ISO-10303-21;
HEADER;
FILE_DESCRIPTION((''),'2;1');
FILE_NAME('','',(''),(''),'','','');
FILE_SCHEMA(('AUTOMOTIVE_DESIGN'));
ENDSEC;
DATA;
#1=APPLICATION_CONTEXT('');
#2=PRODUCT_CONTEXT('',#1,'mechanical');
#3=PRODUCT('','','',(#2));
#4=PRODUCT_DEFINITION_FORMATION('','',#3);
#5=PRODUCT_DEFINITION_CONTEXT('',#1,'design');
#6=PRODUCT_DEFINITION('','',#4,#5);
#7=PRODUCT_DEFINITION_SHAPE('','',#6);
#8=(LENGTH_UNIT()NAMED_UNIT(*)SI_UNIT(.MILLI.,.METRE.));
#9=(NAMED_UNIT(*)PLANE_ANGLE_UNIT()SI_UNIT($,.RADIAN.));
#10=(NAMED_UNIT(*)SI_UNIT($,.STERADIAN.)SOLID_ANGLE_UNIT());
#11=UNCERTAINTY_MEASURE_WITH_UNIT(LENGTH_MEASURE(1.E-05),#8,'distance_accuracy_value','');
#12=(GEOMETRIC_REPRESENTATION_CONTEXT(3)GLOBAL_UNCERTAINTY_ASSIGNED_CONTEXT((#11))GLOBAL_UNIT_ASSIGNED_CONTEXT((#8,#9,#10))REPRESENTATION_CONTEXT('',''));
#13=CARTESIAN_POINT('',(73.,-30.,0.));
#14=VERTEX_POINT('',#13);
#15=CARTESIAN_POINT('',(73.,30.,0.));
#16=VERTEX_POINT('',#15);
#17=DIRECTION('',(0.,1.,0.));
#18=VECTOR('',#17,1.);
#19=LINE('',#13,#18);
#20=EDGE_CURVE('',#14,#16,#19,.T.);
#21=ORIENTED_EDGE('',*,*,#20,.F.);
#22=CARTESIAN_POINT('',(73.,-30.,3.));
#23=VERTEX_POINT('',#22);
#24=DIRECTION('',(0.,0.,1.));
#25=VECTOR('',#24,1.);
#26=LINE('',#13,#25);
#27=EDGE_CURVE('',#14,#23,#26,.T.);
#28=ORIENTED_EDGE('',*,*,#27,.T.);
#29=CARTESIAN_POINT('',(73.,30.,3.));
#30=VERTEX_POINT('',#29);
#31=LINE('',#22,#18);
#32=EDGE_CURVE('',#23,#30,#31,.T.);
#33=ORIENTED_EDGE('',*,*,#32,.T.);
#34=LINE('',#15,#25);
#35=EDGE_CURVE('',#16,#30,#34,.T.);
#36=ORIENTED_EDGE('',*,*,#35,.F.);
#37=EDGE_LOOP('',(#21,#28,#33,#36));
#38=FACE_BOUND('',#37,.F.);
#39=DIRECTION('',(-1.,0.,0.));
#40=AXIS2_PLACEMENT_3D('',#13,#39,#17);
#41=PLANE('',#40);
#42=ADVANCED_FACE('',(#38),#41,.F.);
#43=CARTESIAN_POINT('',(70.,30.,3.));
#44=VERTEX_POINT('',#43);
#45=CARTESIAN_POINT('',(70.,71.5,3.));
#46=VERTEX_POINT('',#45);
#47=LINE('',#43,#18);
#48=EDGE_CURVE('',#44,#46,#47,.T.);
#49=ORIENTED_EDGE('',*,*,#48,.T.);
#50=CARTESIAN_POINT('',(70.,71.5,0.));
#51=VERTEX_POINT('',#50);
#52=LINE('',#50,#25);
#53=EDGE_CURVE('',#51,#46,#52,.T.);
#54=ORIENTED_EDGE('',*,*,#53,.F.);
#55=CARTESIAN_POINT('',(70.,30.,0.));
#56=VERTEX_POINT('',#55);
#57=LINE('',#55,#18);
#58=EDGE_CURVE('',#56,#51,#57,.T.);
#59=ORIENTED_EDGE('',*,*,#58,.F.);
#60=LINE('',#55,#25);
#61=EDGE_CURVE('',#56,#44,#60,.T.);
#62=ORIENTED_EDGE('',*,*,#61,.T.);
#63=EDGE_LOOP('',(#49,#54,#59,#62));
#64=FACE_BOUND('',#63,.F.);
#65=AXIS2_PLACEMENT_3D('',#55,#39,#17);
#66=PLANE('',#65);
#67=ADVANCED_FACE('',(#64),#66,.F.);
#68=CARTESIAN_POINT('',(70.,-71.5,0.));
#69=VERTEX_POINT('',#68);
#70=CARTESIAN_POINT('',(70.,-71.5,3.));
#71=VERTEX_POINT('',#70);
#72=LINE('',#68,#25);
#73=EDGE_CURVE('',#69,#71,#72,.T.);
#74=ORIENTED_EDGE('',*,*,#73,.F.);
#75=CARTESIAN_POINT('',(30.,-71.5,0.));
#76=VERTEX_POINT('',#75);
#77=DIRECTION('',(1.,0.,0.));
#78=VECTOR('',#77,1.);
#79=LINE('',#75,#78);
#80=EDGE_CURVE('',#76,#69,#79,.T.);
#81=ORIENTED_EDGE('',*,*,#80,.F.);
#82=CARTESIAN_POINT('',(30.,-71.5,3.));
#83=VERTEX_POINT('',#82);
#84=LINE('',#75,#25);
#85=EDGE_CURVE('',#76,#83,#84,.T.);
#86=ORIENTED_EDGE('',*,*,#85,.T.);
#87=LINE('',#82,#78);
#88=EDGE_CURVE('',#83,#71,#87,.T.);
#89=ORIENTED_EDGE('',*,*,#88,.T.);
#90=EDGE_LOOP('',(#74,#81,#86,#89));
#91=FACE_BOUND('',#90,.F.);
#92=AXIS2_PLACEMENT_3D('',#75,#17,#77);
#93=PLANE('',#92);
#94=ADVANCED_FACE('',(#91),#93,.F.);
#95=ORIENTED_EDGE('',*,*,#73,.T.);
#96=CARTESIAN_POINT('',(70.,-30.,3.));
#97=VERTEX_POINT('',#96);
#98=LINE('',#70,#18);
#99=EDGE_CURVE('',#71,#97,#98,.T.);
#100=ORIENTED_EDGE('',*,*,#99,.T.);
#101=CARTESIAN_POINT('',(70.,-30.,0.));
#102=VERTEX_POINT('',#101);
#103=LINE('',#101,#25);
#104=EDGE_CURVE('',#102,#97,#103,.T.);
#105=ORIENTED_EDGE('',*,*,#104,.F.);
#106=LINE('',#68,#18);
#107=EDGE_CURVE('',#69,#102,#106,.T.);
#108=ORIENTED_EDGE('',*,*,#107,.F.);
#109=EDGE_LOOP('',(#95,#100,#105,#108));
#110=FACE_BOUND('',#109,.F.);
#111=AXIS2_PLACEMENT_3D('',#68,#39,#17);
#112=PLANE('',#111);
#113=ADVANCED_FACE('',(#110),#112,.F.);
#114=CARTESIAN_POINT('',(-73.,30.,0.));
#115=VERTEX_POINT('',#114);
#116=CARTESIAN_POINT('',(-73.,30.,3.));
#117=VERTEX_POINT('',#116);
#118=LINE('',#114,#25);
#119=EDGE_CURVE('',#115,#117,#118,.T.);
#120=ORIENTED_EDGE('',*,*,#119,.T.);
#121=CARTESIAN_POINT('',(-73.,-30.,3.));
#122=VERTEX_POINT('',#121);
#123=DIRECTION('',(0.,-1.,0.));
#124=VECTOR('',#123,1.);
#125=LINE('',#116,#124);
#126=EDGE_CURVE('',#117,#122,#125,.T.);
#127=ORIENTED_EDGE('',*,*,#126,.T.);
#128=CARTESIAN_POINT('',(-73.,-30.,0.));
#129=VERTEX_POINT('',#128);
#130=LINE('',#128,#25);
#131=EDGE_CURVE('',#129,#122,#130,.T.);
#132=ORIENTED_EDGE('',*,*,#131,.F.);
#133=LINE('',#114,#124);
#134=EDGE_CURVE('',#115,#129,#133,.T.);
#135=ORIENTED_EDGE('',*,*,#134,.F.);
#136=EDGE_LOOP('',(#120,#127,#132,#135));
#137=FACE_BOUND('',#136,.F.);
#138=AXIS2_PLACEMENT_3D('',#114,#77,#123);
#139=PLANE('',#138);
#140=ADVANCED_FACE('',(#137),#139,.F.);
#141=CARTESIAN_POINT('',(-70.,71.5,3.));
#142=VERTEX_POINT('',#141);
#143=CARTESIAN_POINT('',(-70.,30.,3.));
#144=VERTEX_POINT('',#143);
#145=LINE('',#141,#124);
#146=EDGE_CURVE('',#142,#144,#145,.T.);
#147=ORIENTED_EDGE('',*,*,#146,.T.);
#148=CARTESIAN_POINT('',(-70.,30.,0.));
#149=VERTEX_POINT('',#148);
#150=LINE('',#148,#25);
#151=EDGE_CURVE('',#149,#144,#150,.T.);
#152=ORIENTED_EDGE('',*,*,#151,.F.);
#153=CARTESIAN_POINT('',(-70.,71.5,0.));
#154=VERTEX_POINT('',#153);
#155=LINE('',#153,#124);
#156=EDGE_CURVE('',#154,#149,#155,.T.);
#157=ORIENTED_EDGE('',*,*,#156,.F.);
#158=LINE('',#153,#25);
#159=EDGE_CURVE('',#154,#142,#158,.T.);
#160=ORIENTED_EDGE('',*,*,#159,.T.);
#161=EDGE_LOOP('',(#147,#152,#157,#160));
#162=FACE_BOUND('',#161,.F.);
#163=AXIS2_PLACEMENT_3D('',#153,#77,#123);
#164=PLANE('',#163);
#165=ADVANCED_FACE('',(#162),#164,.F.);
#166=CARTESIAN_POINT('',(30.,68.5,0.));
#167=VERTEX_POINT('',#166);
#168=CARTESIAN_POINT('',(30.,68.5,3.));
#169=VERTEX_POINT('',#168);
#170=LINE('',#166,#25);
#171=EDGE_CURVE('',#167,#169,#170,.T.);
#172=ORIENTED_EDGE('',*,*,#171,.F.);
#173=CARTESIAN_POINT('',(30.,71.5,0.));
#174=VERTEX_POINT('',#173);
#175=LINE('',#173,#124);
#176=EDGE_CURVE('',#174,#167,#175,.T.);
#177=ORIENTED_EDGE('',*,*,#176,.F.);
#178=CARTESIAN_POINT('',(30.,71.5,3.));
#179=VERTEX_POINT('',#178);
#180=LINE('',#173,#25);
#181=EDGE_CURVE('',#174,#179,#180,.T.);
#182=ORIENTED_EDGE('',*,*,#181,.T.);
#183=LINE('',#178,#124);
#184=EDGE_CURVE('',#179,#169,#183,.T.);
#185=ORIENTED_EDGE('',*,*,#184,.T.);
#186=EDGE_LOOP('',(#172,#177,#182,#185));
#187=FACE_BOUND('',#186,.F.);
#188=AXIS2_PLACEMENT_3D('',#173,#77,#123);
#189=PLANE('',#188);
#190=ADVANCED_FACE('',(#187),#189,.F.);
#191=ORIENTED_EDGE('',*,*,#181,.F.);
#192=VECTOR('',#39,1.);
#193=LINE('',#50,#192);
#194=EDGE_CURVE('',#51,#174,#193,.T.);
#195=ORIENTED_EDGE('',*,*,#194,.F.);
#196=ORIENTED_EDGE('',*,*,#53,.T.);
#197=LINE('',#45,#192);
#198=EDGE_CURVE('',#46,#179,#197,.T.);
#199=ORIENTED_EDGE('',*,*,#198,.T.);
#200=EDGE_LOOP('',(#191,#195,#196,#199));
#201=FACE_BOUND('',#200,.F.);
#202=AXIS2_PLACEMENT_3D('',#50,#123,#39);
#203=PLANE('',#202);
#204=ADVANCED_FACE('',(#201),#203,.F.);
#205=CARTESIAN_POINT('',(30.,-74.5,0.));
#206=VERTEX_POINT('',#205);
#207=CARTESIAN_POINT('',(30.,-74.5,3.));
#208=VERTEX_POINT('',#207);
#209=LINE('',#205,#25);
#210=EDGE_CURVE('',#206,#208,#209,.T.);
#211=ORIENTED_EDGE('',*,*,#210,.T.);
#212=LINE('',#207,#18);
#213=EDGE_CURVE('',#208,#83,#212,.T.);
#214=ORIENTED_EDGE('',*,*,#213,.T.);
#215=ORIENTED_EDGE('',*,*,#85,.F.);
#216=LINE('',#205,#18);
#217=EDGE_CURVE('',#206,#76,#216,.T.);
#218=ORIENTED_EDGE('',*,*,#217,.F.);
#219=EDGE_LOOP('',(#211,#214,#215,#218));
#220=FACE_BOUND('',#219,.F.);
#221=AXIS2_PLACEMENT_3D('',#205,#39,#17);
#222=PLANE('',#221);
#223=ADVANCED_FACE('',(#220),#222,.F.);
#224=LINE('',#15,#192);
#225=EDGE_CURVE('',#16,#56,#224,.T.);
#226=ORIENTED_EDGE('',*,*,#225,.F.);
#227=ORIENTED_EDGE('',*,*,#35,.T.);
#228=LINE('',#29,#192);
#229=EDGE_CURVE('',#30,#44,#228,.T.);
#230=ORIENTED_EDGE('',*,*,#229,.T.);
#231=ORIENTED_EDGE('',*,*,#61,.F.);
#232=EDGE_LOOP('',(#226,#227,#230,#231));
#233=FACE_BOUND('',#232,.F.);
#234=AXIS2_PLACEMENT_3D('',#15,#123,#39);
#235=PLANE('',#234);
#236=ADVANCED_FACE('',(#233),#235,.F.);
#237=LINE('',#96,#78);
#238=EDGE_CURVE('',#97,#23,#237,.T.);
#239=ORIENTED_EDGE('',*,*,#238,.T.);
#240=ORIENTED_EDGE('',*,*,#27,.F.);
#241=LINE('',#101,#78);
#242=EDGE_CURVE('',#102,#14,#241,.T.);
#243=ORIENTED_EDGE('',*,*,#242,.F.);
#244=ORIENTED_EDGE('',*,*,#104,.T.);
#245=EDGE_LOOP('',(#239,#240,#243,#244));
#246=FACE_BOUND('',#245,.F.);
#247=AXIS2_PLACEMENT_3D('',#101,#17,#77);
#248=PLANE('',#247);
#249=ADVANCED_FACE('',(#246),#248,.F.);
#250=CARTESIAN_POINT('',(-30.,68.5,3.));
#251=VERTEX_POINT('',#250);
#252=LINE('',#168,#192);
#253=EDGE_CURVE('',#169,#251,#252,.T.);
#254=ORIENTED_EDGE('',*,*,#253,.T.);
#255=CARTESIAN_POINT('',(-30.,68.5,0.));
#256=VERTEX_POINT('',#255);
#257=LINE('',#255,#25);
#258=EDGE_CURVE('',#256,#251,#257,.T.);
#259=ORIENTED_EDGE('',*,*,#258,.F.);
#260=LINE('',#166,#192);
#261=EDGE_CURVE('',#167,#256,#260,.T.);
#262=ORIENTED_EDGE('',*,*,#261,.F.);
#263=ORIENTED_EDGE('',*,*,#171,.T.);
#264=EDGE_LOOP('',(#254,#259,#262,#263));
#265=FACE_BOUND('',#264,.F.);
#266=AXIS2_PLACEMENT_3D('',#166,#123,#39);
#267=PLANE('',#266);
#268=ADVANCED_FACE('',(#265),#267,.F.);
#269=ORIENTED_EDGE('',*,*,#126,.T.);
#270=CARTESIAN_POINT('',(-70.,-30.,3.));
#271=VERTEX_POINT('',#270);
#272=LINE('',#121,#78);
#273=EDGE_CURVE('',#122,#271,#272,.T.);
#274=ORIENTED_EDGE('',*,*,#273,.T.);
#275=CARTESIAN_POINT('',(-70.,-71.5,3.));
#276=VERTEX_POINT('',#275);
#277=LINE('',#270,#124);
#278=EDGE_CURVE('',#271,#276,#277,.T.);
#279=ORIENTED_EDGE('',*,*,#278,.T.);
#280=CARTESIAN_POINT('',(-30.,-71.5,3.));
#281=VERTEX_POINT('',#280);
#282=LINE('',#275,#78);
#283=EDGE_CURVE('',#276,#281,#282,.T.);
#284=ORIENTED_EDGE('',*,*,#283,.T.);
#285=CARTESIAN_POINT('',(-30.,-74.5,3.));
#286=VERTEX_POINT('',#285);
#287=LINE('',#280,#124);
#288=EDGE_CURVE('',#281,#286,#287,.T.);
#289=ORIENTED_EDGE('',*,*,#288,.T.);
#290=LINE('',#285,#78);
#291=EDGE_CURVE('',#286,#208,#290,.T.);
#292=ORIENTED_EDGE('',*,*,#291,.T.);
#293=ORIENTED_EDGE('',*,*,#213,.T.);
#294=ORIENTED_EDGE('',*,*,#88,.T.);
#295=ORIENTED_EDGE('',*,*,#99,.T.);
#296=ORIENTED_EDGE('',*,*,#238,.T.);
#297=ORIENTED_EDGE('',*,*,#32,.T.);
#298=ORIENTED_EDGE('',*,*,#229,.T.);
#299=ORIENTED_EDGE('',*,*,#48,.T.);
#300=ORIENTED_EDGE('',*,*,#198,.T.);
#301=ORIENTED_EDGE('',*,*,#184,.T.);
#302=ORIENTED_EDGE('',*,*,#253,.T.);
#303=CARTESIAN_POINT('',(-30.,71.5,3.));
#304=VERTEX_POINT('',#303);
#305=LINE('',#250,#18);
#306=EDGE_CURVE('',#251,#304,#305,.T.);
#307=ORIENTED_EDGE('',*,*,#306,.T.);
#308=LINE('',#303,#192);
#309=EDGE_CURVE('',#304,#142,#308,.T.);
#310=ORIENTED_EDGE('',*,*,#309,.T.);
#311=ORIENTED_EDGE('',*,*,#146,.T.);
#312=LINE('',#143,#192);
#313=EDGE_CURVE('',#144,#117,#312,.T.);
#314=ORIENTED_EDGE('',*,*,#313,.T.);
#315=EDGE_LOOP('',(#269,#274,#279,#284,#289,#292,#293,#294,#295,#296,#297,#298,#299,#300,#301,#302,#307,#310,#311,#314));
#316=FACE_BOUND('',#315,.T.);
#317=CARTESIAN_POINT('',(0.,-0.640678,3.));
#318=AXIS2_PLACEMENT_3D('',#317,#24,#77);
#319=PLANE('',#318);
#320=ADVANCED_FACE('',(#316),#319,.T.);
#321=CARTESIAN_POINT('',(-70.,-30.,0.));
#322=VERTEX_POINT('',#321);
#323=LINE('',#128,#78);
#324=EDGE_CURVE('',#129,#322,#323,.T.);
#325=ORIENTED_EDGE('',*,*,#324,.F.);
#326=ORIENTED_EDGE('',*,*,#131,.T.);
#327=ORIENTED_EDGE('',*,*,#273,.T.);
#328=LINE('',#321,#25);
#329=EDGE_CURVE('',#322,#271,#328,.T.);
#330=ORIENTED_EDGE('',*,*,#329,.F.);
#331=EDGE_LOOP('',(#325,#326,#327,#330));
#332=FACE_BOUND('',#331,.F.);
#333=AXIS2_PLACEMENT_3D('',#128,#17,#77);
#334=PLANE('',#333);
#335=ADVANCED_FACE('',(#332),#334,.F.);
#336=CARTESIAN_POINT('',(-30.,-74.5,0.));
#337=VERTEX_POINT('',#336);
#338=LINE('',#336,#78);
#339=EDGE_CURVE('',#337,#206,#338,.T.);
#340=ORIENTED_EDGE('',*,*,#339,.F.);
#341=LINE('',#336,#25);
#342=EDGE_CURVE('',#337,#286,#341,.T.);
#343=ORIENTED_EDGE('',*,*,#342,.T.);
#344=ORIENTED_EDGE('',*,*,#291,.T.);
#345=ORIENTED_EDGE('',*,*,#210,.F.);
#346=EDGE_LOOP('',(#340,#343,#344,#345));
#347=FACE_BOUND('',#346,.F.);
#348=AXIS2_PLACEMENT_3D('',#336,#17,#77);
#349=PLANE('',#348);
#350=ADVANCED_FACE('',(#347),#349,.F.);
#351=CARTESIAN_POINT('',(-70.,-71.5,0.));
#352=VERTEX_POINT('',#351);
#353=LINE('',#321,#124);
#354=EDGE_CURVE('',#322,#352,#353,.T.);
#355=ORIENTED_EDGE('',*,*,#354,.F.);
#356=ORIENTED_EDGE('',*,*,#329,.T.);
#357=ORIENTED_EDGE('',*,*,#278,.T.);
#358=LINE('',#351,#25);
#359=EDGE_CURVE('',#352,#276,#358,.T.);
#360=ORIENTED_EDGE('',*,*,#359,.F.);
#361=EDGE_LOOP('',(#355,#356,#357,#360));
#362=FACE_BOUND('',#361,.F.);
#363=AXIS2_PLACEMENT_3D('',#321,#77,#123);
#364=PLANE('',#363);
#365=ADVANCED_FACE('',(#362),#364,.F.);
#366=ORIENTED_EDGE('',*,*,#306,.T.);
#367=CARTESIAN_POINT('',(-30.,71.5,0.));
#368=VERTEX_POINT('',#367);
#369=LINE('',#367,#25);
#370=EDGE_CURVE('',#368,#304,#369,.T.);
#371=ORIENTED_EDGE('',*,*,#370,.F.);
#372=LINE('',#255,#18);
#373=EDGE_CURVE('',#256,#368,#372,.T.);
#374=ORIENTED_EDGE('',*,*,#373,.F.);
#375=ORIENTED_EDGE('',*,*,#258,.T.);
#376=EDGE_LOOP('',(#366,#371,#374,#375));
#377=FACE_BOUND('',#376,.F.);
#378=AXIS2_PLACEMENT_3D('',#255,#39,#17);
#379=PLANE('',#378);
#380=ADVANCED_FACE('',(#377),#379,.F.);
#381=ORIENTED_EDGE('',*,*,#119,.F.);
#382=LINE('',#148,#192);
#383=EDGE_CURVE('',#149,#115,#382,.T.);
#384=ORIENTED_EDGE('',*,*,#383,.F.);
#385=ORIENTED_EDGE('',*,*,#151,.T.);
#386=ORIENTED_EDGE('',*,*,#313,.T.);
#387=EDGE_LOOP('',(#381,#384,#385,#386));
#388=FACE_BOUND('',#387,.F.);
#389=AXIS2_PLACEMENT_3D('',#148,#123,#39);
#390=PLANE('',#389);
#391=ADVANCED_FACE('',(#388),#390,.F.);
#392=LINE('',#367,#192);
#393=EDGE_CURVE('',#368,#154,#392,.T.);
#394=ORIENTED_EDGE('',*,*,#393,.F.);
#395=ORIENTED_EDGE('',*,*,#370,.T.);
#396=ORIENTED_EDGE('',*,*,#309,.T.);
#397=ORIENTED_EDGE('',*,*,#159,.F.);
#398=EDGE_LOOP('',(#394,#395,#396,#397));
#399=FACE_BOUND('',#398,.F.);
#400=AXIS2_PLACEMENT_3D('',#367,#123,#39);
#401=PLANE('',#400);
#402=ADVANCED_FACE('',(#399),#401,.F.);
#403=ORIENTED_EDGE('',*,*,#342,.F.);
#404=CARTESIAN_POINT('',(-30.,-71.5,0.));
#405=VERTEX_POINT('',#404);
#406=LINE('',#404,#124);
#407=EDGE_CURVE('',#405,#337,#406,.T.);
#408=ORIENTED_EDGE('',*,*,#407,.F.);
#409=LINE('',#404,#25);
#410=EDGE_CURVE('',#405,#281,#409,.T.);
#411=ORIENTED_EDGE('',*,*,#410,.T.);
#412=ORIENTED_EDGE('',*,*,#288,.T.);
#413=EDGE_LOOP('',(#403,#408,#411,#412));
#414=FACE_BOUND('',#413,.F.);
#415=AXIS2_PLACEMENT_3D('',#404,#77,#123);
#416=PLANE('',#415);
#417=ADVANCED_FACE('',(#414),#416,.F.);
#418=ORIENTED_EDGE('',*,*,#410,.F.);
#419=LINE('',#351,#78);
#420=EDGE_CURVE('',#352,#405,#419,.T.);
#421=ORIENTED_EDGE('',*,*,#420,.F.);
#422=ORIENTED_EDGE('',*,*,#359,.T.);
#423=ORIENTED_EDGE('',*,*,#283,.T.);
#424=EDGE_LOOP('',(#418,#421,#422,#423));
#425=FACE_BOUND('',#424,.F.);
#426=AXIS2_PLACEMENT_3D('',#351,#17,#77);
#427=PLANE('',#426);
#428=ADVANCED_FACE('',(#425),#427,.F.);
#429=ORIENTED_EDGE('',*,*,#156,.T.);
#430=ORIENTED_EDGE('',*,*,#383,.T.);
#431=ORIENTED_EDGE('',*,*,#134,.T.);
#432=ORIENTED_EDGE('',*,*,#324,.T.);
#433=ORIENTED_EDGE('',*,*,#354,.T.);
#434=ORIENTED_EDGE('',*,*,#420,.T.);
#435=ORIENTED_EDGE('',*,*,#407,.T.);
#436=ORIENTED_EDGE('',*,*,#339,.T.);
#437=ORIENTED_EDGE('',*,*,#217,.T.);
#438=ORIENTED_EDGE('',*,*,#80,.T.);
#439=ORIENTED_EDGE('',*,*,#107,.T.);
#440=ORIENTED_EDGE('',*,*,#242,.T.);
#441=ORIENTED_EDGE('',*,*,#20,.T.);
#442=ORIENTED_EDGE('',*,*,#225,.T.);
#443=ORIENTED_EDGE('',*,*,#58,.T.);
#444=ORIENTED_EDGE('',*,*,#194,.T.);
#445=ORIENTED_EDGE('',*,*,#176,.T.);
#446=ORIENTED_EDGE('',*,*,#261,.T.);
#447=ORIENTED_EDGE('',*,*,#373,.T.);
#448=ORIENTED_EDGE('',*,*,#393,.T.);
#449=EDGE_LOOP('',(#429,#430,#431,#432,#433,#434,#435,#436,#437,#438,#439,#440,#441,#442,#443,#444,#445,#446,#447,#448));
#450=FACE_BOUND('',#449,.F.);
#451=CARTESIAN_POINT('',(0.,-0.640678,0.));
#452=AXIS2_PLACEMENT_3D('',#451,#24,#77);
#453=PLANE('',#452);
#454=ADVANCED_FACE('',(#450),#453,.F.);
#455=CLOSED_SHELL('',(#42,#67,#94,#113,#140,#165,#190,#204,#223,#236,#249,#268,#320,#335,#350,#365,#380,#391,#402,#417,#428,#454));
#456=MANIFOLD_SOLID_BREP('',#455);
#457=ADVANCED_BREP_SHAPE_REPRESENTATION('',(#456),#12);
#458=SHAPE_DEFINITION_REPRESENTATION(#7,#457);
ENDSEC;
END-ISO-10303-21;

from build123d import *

# Parameters (mm, degrees)
F1_DEPTH = 3


with BuildPart() as f1:
    # F0 (on Top) → F1 (new body)
    with BuildSketch(Plane.XY):
        Polygon((30, -71.5), (70, -71.5), (70, -30), (73, -30), (73, 30), (70, 30), (70, 71.5), (30, 71.5), (30, 68.5), (-30, 68.5), (-30, 71.5), (-70, 71.5), (-70, 30), (-73, 30), (-73, -30), (-70, -30), (-70, -71.5), (-30, -71.5), (-30, -74.5), (30, -74.5), align=None)
    extrude(amount=F1_DEPTH)


solid = f1.part
